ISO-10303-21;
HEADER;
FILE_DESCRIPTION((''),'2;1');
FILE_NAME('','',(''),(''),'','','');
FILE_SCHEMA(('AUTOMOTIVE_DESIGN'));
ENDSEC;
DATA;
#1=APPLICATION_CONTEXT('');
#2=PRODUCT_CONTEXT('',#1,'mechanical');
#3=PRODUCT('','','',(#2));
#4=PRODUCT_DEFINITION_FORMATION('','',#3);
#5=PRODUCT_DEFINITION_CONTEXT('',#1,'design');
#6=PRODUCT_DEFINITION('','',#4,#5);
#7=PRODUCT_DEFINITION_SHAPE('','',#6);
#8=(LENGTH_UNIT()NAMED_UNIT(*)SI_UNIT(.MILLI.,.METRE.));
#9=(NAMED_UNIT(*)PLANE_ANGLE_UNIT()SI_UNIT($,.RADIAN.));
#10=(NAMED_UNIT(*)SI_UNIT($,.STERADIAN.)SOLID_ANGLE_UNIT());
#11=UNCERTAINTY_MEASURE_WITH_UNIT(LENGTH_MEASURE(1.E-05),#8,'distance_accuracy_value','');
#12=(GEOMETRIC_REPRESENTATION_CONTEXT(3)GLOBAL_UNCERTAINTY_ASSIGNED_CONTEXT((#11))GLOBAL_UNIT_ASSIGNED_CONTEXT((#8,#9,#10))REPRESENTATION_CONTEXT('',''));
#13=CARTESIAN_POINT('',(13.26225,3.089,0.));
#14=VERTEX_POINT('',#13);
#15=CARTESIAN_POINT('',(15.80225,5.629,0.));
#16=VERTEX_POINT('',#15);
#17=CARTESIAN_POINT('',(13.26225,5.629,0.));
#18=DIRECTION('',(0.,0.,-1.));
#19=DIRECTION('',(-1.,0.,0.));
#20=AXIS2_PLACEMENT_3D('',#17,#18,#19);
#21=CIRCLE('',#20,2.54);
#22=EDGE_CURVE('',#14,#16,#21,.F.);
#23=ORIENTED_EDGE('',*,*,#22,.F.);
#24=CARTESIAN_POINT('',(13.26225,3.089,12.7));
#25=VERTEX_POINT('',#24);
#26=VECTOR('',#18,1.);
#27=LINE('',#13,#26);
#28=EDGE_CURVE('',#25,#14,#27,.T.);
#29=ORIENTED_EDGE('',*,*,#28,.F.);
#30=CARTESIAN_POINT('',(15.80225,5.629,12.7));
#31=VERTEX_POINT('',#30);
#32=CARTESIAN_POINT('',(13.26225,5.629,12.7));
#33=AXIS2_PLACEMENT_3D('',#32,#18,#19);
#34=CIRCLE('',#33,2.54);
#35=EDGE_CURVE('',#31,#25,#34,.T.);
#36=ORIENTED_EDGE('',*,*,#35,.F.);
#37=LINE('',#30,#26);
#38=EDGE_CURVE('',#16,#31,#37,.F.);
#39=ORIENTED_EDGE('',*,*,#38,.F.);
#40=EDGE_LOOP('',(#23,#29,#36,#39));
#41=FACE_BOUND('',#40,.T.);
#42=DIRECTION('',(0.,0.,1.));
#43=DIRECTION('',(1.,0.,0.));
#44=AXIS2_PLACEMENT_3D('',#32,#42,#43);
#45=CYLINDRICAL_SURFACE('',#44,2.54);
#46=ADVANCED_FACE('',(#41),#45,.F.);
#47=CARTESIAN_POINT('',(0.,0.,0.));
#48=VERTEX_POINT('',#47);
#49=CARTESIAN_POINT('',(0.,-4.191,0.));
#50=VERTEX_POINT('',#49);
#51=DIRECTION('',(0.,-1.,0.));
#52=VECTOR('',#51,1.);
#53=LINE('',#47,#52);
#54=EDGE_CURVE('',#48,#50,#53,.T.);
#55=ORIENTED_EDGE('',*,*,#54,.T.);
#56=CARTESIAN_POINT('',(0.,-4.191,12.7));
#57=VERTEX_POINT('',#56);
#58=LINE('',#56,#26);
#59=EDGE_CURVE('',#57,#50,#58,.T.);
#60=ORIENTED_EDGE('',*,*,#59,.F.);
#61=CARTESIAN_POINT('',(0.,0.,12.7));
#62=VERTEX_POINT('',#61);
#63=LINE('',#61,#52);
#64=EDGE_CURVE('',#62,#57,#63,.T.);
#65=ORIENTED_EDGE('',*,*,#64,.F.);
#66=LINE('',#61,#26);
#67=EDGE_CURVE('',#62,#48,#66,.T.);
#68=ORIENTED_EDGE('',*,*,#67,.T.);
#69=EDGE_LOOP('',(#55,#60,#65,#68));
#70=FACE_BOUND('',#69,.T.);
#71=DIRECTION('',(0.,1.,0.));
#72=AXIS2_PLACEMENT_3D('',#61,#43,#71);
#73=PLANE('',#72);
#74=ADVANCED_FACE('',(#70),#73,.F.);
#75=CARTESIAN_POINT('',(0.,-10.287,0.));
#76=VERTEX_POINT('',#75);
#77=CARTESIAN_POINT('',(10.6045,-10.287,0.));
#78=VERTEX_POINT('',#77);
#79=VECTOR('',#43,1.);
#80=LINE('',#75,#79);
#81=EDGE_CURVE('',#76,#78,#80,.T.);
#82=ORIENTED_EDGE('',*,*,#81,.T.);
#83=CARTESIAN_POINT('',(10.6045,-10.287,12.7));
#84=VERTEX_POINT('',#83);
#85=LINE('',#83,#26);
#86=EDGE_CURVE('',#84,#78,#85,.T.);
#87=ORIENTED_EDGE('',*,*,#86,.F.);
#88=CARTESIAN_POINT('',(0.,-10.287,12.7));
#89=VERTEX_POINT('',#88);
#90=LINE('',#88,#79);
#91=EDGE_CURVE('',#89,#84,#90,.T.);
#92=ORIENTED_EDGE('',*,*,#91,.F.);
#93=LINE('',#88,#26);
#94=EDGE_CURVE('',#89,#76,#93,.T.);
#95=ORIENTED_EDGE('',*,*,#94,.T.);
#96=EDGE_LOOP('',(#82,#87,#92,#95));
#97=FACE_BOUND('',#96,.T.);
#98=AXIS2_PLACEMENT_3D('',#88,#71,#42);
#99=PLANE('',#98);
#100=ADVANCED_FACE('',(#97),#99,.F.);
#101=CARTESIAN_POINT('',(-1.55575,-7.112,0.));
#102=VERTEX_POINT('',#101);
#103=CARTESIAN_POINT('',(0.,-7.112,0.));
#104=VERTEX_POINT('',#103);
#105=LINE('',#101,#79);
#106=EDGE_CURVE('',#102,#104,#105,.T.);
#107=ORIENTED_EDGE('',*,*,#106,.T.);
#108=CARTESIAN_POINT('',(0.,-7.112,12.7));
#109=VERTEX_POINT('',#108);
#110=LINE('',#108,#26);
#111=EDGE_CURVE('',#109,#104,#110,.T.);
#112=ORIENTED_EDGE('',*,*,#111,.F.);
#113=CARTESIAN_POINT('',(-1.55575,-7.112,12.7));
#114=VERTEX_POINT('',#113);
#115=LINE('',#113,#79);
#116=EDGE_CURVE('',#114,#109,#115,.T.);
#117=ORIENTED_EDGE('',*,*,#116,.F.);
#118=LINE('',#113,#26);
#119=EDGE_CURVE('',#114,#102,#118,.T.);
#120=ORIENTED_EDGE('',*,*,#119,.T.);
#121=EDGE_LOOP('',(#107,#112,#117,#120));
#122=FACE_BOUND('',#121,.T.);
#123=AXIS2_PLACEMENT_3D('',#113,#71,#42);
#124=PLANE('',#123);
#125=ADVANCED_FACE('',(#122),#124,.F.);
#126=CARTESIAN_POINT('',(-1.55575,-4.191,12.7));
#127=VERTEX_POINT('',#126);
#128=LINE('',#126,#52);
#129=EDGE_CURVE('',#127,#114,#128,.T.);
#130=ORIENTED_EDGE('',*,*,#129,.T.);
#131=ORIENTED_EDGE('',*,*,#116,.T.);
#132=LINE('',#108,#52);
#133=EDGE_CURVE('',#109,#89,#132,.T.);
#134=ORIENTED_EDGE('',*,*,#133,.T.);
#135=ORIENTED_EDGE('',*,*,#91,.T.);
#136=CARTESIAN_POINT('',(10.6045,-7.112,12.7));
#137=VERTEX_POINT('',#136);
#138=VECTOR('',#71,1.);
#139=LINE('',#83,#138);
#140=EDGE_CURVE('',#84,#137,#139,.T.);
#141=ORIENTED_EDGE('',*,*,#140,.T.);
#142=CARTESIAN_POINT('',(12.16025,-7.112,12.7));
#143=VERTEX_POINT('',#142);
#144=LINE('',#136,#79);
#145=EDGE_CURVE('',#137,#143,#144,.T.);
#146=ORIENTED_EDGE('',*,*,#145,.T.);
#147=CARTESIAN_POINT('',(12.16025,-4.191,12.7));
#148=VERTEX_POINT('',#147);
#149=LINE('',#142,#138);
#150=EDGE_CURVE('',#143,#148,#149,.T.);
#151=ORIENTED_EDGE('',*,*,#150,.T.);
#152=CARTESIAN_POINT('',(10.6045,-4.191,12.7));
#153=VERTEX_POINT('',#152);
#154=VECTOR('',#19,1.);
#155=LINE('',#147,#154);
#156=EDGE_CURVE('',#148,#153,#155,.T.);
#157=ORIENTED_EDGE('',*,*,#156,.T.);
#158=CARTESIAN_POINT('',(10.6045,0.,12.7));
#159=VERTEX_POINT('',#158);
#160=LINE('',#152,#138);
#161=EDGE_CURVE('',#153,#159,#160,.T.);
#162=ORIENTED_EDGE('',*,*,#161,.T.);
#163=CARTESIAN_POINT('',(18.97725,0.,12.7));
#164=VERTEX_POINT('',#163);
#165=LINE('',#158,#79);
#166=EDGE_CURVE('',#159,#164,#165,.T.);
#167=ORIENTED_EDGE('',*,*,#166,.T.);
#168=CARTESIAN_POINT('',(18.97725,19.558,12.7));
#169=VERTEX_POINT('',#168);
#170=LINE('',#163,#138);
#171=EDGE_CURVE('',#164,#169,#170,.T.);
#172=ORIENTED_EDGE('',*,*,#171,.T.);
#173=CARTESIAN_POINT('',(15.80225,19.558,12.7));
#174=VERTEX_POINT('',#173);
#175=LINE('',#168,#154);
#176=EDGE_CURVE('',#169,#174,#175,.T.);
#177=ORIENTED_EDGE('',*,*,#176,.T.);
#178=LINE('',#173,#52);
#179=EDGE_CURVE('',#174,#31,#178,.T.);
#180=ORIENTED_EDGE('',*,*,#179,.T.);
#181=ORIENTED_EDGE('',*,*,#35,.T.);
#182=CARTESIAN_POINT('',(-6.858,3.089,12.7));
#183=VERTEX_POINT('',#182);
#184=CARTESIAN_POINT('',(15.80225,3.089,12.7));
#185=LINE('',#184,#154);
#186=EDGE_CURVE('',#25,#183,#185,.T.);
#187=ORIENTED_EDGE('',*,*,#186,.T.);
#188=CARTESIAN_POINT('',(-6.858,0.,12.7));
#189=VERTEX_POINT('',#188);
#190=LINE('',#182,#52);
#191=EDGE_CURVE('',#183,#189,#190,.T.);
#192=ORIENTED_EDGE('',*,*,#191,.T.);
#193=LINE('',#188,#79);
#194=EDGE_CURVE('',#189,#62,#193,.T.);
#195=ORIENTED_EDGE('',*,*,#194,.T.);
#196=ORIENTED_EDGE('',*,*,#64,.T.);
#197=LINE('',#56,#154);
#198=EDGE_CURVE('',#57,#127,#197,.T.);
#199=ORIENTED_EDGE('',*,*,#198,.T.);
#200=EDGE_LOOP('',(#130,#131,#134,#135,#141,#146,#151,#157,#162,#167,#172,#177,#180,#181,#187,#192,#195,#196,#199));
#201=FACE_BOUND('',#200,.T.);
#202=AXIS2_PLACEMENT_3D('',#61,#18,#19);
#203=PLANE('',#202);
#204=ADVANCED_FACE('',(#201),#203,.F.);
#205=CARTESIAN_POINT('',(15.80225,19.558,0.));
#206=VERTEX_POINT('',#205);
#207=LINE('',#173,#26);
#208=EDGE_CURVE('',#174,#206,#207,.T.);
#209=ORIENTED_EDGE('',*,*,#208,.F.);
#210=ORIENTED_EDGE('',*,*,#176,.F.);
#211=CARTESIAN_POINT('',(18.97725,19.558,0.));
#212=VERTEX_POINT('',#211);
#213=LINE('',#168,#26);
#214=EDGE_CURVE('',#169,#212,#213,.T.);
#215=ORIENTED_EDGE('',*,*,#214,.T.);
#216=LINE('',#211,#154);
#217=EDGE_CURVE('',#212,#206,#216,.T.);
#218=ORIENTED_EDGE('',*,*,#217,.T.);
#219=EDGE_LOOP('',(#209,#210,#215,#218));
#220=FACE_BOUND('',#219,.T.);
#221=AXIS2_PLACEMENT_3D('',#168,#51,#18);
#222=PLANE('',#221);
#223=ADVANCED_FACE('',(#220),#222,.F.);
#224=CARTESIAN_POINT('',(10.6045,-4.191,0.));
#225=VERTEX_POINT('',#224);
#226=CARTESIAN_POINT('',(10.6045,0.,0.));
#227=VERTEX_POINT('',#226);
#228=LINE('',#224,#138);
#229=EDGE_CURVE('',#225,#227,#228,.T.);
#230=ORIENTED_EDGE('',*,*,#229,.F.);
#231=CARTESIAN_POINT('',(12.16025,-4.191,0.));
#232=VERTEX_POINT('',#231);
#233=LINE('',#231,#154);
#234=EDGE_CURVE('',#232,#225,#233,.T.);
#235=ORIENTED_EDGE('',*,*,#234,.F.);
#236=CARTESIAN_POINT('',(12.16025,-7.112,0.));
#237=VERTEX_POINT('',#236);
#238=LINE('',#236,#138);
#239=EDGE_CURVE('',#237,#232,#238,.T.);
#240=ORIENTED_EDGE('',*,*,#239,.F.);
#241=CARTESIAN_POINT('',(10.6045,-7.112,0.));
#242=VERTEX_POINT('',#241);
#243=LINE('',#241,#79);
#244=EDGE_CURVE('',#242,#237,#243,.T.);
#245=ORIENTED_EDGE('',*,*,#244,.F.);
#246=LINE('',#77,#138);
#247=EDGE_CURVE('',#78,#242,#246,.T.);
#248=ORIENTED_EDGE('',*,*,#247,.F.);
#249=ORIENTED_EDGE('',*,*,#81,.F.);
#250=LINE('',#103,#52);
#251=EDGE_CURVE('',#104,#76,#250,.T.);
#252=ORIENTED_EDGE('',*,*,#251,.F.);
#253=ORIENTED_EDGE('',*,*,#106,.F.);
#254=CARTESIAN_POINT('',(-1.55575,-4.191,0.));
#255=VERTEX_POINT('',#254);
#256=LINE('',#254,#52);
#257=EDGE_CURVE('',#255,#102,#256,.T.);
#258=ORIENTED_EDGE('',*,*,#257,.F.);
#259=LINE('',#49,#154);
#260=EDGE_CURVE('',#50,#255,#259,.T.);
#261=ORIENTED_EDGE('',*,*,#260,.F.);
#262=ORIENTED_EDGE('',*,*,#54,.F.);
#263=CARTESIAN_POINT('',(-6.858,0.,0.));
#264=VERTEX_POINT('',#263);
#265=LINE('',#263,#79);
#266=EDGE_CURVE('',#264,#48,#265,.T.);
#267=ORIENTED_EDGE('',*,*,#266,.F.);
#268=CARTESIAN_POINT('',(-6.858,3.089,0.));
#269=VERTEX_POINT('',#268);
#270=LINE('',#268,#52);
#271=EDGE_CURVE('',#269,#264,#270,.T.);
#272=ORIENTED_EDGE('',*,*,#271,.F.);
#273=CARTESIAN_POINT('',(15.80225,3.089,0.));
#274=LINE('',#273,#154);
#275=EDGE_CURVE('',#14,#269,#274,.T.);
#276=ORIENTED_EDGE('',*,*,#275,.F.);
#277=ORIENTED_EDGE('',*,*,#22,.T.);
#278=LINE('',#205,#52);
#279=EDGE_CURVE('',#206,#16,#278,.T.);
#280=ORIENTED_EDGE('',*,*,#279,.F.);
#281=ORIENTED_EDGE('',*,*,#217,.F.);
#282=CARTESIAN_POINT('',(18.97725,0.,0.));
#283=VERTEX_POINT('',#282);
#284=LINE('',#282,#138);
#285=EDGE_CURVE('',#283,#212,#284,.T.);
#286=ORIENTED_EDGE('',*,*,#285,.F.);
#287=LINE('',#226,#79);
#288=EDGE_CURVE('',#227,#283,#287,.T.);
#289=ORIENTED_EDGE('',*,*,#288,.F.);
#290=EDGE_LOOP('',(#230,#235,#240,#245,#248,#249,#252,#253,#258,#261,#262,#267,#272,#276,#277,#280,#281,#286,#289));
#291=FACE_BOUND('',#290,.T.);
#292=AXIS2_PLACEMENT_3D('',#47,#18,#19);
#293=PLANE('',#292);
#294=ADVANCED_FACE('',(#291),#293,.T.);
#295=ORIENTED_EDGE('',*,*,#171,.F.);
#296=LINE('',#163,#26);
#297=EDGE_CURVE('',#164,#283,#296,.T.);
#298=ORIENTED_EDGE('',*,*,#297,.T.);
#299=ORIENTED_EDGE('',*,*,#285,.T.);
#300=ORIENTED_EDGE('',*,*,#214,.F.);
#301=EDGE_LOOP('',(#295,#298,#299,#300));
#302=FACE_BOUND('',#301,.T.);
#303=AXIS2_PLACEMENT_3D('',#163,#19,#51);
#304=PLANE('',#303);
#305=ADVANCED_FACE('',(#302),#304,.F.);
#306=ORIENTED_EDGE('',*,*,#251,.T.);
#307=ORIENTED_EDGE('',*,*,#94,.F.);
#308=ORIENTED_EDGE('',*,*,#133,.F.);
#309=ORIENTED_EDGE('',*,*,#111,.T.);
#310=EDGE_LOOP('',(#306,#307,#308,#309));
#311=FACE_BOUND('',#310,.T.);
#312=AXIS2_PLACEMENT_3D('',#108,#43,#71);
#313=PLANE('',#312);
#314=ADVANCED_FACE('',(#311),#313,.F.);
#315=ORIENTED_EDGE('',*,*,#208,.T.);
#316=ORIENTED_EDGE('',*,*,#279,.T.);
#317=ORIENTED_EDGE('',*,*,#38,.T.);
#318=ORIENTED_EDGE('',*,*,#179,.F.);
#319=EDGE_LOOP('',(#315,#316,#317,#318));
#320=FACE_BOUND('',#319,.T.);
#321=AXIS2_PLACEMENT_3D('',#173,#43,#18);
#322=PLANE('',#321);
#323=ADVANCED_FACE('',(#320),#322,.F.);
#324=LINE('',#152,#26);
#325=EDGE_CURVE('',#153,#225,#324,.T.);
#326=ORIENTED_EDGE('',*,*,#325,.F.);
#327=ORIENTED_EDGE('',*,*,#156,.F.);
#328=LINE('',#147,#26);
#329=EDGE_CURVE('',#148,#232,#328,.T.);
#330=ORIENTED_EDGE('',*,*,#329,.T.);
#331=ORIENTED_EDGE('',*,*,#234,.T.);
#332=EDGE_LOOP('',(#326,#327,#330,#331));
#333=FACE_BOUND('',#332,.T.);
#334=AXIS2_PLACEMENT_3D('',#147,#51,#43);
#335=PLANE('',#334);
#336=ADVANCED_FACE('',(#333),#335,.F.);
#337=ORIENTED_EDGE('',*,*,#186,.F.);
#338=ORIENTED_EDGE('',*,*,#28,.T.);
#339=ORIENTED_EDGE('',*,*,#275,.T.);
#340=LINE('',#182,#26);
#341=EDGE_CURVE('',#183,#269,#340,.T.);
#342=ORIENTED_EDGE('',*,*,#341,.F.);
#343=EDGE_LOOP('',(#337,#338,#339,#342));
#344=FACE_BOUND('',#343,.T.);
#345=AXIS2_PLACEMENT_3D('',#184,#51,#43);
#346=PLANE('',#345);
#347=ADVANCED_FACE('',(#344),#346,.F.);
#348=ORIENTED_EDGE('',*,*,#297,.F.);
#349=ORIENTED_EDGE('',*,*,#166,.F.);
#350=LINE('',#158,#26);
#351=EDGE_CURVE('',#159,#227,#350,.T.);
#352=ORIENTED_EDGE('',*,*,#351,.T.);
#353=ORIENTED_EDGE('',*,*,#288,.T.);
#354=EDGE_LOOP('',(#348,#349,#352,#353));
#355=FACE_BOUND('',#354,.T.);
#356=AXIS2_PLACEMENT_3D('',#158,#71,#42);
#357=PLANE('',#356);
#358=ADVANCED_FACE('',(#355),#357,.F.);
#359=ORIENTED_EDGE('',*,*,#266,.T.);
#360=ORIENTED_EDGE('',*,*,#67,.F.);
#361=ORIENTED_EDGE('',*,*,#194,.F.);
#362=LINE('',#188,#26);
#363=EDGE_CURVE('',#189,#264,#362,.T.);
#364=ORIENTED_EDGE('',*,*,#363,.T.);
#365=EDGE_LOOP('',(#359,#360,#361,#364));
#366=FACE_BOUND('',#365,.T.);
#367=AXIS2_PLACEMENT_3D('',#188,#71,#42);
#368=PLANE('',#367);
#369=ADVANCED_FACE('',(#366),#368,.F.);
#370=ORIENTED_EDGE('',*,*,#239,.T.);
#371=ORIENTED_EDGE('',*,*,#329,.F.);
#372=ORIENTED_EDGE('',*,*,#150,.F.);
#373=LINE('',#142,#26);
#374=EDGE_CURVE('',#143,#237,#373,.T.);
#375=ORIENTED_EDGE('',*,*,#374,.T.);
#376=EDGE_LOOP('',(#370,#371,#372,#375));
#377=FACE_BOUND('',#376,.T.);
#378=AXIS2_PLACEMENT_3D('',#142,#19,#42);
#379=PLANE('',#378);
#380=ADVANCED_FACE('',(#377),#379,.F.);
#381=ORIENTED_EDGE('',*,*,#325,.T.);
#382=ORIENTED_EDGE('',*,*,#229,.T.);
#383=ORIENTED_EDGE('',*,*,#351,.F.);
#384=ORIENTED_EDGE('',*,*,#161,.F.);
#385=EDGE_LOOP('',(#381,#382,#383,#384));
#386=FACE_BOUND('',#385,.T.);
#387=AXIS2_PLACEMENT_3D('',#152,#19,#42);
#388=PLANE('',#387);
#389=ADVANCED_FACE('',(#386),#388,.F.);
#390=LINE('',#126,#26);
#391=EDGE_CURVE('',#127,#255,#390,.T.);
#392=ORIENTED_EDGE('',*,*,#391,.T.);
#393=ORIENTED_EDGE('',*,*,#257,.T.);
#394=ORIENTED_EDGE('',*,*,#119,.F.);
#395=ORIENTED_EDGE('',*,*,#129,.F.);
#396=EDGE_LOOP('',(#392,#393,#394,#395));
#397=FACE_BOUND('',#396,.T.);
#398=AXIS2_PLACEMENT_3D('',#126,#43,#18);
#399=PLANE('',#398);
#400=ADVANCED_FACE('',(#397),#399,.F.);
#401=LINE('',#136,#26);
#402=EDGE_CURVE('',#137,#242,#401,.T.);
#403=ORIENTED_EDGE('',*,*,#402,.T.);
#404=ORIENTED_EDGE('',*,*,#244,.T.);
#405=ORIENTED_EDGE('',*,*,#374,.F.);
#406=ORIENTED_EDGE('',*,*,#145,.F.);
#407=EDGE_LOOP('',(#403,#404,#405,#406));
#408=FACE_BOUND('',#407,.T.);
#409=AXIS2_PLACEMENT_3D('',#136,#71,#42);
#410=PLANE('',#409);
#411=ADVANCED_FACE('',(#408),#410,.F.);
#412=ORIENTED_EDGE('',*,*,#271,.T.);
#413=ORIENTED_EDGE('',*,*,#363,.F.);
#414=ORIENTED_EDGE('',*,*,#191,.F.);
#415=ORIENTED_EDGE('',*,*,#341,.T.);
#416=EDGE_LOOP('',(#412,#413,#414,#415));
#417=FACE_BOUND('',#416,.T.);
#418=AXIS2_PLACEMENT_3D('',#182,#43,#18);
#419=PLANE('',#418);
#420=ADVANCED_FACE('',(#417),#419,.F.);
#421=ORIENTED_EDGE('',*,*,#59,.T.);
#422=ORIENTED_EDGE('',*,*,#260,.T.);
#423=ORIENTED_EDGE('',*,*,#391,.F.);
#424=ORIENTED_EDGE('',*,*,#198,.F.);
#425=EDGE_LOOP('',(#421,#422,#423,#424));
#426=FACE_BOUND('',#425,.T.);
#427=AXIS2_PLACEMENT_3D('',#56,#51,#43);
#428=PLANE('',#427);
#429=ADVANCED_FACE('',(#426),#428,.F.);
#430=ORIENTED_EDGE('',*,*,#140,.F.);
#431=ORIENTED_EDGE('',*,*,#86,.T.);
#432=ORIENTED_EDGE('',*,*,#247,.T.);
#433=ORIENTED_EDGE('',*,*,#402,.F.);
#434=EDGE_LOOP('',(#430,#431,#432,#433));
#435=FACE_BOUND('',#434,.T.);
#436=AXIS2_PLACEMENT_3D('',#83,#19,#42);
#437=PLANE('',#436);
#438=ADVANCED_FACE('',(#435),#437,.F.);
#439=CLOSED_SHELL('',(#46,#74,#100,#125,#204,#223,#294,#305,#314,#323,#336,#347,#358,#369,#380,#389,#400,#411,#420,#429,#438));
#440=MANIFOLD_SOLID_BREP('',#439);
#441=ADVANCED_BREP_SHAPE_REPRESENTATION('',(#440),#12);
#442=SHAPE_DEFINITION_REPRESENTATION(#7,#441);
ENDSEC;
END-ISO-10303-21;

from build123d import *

# Parameters (mm, degrees)
BOSS_EXTRUDE1_DEPTH = 12.7
FILLET1_R           = 2.54


with BuildPart() as part:
    # Sketch1 → Boss-Extrude1 (new body)
    with BuildSketch(Plane.XY):
        Polygon((0, 0), (0, -4.191), (-1.55575, -4.191), (-1.55575, -7.112), (0, -7.112), (0, -10.287), (10.6045, -10.287), (10.6045, -7.112), (12.16025, -7.112), (12.16025, -4.191), (10.6045, -4.191), (10.6045, 0), (18.97725, 0), (18.97725, 19.558), (15.80225, 19.558), (15.80225, 3.089), (-6.858, 3.089), (-6.858, 0), align=None)
    extrude(amount=BOSS_EXTRUDE1_DEPTH)

    # Fillet1
    fillet1_edges = [part.edges().sort_by_distance(p)[0] for p in [
        (15.80225, 3.089, 6.35),
    ]]
    fillet(fillet1_edges, radius=FILLET1_R)


solid = part.part
